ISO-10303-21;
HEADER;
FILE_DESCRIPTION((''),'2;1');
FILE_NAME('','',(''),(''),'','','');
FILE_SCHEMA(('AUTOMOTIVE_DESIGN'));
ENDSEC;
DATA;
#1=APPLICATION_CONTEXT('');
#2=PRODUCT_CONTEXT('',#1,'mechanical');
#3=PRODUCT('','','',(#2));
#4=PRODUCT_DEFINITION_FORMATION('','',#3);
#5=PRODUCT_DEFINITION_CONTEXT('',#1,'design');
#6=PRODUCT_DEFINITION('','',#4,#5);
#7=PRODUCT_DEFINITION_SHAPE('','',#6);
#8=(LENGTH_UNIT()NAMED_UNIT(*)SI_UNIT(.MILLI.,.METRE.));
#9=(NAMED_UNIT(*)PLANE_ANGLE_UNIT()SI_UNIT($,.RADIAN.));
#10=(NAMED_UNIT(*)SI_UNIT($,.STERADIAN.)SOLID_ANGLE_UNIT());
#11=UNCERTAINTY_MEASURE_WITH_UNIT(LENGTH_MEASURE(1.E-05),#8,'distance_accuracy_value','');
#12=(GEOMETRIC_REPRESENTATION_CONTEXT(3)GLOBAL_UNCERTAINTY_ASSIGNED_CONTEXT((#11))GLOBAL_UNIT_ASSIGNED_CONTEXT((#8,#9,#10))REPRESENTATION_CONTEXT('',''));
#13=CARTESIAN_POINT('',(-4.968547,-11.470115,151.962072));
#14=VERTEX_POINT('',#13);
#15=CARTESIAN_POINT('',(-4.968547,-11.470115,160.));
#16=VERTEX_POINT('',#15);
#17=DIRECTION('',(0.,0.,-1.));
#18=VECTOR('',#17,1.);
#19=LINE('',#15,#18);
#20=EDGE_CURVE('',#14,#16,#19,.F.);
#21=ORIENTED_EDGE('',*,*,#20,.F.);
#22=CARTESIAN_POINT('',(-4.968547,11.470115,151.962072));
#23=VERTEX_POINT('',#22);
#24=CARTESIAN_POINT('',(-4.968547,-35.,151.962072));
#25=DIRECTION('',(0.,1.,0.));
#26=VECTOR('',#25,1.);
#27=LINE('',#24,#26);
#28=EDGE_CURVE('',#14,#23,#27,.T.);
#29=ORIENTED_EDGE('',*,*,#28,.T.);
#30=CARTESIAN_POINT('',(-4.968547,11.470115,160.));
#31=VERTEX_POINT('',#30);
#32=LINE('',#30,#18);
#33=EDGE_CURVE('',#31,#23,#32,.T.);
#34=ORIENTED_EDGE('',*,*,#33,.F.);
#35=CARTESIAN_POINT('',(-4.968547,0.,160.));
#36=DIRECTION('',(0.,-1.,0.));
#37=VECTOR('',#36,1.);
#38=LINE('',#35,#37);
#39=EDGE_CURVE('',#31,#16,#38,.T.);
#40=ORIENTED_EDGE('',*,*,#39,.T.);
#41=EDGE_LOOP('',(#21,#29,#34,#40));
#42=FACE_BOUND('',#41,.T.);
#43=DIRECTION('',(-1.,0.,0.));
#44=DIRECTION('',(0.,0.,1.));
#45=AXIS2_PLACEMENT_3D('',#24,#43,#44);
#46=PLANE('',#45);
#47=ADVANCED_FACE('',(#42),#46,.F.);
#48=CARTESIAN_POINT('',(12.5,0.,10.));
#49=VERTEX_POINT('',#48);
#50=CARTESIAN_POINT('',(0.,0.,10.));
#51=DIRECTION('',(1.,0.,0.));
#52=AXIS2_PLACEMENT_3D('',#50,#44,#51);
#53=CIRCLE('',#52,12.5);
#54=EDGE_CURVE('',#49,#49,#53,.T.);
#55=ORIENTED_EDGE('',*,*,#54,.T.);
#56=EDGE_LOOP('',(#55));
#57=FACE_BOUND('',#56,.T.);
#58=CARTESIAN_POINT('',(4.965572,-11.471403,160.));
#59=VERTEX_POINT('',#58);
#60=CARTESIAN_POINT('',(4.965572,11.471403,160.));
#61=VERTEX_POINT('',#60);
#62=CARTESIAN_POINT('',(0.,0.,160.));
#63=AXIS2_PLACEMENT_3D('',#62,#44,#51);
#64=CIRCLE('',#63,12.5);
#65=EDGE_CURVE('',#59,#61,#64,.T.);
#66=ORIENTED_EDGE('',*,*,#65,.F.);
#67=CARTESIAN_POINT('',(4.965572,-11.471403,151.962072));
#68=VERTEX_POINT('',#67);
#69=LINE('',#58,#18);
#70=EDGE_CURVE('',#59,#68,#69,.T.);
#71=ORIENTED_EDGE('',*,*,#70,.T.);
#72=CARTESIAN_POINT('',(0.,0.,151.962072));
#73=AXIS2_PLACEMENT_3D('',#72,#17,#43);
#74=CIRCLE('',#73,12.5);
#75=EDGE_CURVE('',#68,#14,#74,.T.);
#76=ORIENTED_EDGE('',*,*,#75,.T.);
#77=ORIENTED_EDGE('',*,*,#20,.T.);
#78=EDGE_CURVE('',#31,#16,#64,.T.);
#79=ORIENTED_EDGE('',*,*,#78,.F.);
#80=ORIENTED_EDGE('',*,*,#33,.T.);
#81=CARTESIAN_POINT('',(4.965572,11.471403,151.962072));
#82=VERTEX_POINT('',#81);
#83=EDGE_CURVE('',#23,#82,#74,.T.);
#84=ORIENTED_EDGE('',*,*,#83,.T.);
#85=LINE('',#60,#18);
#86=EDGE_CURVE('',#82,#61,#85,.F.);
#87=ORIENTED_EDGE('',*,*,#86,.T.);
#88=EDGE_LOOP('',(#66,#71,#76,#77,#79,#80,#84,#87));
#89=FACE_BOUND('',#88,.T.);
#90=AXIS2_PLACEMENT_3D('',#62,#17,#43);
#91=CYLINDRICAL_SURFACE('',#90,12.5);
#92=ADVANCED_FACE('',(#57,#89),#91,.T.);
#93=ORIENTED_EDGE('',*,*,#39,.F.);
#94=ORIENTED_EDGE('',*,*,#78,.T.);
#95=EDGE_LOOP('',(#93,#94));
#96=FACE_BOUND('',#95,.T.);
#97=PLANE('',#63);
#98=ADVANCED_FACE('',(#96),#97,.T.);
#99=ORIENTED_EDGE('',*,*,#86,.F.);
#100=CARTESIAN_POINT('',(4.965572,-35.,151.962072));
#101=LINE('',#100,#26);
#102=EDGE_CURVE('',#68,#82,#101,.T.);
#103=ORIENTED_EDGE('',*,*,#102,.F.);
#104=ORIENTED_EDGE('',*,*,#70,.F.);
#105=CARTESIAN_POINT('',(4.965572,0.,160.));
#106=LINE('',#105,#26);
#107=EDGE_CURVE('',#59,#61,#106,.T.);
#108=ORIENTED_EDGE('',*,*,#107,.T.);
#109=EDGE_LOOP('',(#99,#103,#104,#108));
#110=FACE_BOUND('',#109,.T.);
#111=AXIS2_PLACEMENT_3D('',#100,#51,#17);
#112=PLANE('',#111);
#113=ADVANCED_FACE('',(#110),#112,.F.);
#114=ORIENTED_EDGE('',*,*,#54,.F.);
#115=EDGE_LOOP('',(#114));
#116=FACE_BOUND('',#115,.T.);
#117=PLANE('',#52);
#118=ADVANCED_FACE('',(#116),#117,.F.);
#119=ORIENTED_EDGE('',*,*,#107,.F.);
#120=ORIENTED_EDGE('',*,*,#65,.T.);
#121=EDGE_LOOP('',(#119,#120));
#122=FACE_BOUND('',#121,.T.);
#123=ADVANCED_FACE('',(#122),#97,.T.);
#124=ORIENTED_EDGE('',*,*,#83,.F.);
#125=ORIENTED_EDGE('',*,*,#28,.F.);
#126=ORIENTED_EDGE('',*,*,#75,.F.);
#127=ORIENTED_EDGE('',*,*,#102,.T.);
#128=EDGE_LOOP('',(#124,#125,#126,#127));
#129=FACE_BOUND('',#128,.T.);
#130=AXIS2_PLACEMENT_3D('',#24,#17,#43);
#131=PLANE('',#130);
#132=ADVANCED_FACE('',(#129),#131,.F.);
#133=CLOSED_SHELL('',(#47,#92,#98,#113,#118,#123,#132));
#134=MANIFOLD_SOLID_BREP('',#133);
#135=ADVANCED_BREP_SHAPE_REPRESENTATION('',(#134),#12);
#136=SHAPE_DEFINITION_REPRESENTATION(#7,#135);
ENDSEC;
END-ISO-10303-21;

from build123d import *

# Parameters (mm, degrees)
EXTRUDE_START       = 10
SKETCH_1_R          = 12.5
EXTRUDE_1_DEPTH     = 150
SKETCH_2_W          = 9.934119033
SKETCH_2_H          = 36.471756902
CUT_EXTRUDE_1_DEPTH = 35


with BuildPart() as part:
    # Эскиз1 → Вытянуть1 (new body)
    with BuildSketch(Plane.XY.offset(EXTRUDE_START)):
        Circle(SKETCH_1_R)
    extrude(amount=EXTRUDE_1_DEPTH)

    # Эскиз2 → Вырез-Вытянуть1 (cut, symmetric)
    with BuildSketch(Plane(origin=(0, 0, 0), x_dir=(1, 0, 0), z_dir=(0, 1, 0))):
        with Locations((-0.001487871, -170.197950686)):
            Rectangle(SKETCH_2_W, SKETCH_2_H)
    extrude(amount=CUT_EXTRUDE_1_DEPTH, both=True, mode=Mode.SUBTRACT)


solid = part.part
